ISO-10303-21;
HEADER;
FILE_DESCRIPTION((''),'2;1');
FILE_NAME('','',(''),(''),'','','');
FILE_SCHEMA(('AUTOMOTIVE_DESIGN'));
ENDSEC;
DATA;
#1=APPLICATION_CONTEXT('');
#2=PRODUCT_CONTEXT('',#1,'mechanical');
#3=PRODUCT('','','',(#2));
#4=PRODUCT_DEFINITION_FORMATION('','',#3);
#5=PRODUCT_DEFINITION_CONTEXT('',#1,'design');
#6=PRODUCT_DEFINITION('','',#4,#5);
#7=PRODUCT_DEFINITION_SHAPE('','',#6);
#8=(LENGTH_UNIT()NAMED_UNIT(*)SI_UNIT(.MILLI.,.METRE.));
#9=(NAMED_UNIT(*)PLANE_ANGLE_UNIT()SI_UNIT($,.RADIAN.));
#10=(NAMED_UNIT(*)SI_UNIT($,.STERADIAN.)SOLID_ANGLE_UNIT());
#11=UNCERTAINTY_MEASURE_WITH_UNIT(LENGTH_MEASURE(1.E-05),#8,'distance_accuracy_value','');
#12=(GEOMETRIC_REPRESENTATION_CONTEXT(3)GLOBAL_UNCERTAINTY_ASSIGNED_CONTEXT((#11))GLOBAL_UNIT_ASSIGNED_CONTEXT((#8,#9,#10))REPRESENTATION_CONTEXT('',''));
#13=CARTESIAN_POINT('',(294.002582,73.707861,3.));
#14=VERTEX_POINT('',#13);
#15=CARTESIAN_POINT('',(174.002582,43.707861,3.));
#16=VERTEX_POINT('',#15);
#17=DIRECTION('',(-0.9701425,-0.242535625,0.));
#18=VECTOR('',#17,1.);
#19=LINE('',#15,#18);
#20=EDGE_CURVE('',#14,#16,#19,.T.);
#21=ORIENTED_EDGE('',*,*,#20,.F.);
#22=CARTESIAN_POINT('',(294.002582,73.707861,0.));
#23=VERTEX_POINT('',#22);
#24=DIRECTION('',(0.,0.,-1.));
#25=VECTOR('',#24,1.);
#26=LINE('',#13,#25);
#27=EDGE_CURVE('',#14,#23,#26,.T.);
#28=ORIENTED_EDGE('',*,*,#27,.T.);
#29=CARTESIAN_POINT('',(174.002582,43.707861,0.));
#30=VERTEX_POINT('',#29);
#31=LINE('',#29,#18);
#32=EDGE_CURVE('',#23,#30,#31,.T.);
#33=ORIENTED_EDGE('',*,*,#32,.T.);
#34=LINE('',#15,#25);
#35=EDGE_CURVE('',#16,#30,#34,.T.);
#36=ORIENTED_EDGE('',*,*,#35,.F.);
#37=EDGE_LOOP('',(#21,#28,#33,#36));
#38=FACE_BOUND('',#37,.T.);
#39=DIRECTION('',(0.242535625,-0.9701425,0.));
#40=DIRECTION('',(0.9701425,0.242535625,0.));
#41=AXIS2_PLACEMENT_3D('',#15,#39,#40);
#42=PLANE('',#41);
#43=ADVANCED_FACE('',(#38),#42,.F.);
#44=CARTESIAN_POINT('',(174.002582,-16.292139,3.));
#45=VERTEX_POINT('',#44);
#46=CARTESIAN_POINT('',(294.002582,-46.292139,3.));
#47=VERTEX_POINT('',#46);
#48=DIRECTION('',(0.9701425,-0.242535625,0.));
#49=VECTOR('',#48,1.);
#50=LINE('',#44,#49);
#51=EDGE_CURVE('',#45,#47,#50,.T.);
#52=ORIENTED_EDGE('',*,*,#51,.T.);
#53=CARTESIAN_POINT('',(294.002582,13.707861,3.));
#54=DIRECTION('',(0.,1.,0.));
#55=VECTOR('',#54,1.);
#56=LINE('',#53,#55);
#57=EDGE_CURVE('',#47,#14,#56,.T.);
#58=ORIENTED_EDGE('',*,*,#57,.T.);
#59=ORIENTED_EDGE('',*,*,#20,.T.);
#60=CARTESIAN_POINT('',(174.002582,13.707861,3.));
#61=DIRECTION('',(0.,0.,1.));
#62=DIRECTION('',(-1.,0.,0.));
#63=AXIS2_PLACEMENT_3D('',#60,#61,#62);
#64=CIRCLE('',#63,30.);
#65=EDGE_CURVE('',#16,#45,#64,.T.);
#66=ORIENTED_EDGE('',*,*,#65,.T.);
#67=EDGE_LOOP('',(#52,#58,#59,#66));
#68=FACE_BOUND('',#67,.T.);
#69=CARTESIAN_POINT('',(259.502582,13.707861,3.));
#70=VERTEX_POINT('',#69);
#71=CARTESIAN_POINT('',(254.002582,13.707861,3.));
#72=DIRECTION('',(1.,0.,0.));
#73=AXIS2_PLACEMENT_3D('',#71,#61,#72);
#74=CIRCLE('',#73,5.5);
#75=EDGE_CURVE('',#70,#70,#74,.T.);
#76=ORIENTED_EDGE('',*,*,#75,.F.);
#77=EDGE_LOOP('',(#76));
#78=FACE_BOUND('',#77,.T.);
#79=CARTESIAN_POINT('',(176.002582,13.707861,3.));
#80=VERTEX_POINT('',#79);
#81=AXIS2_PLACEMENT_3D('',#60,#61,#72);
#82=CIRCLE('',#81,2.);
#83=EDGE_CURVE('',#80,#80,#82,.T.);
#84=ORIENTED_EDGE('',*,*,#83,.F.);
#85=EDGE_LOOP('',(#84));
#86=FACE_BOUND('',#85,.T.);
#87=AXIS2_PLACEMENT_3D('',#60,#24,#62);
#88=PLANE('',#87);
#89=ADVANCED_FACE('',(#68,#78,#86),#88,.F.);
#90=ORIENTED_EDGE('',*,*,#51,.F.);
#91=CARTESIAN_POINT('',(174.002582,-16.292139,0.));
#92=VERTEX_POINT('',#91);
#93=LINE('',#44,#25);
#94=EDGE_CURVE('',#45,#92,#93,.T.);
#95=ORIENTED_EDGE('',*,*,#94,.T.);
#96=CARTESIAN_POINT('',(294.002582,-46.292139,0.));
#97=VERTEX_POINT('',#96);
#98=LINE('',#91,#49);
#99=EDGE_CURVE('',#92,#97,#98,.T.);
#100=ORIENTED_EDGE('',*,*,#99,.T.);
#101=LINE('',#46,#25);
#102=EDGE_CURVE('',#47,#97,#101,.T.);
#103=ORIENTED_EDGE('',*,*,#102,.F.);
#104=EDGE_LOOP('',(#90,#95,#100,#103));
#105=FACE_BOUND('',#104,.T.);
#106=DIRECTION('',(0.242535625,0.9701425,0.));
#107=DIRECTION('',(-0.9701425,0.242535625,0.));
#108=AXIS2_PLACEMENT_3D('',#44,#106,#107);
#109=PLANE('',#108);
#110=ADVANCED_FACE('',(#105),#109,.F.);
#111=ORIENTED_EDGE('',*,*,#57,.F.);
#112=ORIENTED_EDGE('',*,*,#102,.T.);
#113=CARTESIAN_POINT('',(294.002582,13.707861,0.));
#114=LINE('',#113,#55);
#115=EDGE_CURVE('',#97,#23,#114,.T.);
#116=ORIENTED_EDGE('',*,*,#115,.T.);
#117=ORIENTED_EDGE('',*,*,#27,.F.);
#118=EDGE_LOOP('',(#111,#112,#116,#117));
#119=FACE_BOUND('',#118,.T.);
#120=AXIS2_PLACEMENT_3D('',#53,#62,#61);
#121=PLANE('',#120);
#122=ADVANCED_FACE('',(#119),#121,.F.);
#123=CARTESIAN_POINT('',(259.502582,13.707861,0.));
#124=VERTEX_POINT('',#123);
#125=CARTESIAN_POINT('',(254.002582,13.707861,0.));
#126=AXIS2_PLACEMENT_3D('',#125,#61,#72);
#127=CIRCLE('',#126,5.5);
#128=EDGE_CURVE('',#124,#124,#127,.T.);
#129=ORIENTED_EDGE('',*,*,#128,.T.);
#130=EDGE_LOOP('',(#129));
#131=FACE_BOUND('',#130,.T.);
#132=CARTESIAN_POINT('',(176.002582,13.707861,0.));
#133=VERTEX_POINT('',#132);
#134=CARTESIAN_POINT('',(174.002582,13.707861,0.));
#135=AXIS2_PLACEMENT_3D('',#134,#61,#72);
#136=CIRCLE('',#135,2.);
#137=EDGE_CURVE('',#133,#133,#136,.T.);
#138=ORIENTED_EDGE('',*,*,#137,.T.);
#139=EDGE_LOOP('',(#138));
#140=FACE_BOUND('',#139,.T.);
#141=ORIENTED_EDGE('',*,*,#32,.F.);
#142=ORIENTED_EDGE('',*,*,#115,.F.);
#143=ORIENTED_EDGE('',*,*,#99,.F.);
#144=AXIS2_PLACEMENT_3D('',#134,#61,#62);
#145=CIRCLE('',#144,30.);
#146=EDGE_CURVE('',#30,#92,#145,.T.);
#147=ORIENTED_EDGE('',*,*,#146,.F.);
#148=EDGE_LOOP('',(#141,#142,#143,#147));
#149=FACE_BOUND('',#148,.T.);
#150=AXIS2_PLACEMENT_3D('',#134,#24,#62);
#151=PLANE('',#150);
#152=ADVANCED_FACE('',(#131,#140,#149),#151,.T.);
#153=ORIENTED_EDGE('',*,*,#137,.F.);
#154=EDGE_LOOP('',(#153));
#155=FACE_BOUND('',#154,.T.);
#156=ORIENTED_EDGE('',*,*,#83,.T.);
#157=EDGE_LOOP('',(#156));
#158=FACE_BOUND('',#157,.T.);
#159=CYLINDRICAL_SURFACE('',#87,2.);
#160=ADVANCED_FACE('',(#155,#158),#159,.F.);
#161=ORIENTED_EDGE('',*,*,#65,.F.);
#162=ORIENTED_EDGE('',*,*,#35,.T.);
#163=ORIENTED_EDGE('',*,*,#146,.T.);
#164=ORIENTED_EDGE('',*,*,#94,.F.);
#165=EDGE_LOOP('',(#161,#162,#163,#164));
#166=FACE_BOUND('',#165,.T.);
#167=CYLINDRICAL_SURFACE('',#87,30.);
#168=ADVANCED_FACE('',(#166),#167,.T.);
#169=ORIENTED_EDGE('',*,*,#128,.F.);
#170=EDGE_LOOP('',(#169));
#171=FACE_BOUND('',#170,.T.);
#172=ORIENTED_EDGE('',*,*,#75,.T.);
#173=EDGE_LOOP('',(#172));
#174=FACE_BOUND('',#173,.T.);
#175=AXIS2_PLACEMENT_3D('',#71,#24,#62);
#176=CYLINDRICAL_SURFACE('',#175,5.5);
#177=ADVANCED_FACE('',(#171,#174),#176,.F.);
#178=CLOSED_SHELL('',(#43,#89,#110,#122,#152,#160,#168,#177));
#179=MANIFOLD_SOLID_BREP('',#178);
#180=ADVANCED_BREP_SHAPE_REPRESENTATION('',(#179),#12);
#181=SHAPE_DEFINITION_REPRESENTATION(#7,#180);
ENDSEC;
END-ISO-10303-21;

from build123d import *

# Parameters (mm, degrees)
SKETCH_1_R      = 2
SKETCH_1_R_2    = 5.5
EXTRUDE_1_DEPTH = 3


with BuildPart() as part:
    # 草图1 → 凸台-拉伸1 (new body)
    with BuildSketch(Plane.XY):
        with BuildLine():
            Line((174.002581869, 43.707860978), (294.002581869, 73.707860978))
            Line((294.002581869, 73.707860978), (294.002581869, 13.707860978))
            Line((294.002581869, 13.707860978), (294.002581869, -46.292139022))
            Line((294.002581869, -46.292139022), (174.002581869, -16.292139022))
            ThreePointArc((174.002581869, -16.292139022), (144.002581869, 13.707860978), (174.002581869, 43.707860978))
        make_face()
        with Locations((174.002581869, 13.707860978)):
            Circle(SKETCH_1_R, mode=Mode.SUBTRACT)
        with Locations((254.002581869, 13.707860978)):
            Circle(SKETCH_1_R_2, mode=Mode.SUBTRACT)
    extrude(amount=EXTRUDE_1_DEPTH)


solid = part.part
